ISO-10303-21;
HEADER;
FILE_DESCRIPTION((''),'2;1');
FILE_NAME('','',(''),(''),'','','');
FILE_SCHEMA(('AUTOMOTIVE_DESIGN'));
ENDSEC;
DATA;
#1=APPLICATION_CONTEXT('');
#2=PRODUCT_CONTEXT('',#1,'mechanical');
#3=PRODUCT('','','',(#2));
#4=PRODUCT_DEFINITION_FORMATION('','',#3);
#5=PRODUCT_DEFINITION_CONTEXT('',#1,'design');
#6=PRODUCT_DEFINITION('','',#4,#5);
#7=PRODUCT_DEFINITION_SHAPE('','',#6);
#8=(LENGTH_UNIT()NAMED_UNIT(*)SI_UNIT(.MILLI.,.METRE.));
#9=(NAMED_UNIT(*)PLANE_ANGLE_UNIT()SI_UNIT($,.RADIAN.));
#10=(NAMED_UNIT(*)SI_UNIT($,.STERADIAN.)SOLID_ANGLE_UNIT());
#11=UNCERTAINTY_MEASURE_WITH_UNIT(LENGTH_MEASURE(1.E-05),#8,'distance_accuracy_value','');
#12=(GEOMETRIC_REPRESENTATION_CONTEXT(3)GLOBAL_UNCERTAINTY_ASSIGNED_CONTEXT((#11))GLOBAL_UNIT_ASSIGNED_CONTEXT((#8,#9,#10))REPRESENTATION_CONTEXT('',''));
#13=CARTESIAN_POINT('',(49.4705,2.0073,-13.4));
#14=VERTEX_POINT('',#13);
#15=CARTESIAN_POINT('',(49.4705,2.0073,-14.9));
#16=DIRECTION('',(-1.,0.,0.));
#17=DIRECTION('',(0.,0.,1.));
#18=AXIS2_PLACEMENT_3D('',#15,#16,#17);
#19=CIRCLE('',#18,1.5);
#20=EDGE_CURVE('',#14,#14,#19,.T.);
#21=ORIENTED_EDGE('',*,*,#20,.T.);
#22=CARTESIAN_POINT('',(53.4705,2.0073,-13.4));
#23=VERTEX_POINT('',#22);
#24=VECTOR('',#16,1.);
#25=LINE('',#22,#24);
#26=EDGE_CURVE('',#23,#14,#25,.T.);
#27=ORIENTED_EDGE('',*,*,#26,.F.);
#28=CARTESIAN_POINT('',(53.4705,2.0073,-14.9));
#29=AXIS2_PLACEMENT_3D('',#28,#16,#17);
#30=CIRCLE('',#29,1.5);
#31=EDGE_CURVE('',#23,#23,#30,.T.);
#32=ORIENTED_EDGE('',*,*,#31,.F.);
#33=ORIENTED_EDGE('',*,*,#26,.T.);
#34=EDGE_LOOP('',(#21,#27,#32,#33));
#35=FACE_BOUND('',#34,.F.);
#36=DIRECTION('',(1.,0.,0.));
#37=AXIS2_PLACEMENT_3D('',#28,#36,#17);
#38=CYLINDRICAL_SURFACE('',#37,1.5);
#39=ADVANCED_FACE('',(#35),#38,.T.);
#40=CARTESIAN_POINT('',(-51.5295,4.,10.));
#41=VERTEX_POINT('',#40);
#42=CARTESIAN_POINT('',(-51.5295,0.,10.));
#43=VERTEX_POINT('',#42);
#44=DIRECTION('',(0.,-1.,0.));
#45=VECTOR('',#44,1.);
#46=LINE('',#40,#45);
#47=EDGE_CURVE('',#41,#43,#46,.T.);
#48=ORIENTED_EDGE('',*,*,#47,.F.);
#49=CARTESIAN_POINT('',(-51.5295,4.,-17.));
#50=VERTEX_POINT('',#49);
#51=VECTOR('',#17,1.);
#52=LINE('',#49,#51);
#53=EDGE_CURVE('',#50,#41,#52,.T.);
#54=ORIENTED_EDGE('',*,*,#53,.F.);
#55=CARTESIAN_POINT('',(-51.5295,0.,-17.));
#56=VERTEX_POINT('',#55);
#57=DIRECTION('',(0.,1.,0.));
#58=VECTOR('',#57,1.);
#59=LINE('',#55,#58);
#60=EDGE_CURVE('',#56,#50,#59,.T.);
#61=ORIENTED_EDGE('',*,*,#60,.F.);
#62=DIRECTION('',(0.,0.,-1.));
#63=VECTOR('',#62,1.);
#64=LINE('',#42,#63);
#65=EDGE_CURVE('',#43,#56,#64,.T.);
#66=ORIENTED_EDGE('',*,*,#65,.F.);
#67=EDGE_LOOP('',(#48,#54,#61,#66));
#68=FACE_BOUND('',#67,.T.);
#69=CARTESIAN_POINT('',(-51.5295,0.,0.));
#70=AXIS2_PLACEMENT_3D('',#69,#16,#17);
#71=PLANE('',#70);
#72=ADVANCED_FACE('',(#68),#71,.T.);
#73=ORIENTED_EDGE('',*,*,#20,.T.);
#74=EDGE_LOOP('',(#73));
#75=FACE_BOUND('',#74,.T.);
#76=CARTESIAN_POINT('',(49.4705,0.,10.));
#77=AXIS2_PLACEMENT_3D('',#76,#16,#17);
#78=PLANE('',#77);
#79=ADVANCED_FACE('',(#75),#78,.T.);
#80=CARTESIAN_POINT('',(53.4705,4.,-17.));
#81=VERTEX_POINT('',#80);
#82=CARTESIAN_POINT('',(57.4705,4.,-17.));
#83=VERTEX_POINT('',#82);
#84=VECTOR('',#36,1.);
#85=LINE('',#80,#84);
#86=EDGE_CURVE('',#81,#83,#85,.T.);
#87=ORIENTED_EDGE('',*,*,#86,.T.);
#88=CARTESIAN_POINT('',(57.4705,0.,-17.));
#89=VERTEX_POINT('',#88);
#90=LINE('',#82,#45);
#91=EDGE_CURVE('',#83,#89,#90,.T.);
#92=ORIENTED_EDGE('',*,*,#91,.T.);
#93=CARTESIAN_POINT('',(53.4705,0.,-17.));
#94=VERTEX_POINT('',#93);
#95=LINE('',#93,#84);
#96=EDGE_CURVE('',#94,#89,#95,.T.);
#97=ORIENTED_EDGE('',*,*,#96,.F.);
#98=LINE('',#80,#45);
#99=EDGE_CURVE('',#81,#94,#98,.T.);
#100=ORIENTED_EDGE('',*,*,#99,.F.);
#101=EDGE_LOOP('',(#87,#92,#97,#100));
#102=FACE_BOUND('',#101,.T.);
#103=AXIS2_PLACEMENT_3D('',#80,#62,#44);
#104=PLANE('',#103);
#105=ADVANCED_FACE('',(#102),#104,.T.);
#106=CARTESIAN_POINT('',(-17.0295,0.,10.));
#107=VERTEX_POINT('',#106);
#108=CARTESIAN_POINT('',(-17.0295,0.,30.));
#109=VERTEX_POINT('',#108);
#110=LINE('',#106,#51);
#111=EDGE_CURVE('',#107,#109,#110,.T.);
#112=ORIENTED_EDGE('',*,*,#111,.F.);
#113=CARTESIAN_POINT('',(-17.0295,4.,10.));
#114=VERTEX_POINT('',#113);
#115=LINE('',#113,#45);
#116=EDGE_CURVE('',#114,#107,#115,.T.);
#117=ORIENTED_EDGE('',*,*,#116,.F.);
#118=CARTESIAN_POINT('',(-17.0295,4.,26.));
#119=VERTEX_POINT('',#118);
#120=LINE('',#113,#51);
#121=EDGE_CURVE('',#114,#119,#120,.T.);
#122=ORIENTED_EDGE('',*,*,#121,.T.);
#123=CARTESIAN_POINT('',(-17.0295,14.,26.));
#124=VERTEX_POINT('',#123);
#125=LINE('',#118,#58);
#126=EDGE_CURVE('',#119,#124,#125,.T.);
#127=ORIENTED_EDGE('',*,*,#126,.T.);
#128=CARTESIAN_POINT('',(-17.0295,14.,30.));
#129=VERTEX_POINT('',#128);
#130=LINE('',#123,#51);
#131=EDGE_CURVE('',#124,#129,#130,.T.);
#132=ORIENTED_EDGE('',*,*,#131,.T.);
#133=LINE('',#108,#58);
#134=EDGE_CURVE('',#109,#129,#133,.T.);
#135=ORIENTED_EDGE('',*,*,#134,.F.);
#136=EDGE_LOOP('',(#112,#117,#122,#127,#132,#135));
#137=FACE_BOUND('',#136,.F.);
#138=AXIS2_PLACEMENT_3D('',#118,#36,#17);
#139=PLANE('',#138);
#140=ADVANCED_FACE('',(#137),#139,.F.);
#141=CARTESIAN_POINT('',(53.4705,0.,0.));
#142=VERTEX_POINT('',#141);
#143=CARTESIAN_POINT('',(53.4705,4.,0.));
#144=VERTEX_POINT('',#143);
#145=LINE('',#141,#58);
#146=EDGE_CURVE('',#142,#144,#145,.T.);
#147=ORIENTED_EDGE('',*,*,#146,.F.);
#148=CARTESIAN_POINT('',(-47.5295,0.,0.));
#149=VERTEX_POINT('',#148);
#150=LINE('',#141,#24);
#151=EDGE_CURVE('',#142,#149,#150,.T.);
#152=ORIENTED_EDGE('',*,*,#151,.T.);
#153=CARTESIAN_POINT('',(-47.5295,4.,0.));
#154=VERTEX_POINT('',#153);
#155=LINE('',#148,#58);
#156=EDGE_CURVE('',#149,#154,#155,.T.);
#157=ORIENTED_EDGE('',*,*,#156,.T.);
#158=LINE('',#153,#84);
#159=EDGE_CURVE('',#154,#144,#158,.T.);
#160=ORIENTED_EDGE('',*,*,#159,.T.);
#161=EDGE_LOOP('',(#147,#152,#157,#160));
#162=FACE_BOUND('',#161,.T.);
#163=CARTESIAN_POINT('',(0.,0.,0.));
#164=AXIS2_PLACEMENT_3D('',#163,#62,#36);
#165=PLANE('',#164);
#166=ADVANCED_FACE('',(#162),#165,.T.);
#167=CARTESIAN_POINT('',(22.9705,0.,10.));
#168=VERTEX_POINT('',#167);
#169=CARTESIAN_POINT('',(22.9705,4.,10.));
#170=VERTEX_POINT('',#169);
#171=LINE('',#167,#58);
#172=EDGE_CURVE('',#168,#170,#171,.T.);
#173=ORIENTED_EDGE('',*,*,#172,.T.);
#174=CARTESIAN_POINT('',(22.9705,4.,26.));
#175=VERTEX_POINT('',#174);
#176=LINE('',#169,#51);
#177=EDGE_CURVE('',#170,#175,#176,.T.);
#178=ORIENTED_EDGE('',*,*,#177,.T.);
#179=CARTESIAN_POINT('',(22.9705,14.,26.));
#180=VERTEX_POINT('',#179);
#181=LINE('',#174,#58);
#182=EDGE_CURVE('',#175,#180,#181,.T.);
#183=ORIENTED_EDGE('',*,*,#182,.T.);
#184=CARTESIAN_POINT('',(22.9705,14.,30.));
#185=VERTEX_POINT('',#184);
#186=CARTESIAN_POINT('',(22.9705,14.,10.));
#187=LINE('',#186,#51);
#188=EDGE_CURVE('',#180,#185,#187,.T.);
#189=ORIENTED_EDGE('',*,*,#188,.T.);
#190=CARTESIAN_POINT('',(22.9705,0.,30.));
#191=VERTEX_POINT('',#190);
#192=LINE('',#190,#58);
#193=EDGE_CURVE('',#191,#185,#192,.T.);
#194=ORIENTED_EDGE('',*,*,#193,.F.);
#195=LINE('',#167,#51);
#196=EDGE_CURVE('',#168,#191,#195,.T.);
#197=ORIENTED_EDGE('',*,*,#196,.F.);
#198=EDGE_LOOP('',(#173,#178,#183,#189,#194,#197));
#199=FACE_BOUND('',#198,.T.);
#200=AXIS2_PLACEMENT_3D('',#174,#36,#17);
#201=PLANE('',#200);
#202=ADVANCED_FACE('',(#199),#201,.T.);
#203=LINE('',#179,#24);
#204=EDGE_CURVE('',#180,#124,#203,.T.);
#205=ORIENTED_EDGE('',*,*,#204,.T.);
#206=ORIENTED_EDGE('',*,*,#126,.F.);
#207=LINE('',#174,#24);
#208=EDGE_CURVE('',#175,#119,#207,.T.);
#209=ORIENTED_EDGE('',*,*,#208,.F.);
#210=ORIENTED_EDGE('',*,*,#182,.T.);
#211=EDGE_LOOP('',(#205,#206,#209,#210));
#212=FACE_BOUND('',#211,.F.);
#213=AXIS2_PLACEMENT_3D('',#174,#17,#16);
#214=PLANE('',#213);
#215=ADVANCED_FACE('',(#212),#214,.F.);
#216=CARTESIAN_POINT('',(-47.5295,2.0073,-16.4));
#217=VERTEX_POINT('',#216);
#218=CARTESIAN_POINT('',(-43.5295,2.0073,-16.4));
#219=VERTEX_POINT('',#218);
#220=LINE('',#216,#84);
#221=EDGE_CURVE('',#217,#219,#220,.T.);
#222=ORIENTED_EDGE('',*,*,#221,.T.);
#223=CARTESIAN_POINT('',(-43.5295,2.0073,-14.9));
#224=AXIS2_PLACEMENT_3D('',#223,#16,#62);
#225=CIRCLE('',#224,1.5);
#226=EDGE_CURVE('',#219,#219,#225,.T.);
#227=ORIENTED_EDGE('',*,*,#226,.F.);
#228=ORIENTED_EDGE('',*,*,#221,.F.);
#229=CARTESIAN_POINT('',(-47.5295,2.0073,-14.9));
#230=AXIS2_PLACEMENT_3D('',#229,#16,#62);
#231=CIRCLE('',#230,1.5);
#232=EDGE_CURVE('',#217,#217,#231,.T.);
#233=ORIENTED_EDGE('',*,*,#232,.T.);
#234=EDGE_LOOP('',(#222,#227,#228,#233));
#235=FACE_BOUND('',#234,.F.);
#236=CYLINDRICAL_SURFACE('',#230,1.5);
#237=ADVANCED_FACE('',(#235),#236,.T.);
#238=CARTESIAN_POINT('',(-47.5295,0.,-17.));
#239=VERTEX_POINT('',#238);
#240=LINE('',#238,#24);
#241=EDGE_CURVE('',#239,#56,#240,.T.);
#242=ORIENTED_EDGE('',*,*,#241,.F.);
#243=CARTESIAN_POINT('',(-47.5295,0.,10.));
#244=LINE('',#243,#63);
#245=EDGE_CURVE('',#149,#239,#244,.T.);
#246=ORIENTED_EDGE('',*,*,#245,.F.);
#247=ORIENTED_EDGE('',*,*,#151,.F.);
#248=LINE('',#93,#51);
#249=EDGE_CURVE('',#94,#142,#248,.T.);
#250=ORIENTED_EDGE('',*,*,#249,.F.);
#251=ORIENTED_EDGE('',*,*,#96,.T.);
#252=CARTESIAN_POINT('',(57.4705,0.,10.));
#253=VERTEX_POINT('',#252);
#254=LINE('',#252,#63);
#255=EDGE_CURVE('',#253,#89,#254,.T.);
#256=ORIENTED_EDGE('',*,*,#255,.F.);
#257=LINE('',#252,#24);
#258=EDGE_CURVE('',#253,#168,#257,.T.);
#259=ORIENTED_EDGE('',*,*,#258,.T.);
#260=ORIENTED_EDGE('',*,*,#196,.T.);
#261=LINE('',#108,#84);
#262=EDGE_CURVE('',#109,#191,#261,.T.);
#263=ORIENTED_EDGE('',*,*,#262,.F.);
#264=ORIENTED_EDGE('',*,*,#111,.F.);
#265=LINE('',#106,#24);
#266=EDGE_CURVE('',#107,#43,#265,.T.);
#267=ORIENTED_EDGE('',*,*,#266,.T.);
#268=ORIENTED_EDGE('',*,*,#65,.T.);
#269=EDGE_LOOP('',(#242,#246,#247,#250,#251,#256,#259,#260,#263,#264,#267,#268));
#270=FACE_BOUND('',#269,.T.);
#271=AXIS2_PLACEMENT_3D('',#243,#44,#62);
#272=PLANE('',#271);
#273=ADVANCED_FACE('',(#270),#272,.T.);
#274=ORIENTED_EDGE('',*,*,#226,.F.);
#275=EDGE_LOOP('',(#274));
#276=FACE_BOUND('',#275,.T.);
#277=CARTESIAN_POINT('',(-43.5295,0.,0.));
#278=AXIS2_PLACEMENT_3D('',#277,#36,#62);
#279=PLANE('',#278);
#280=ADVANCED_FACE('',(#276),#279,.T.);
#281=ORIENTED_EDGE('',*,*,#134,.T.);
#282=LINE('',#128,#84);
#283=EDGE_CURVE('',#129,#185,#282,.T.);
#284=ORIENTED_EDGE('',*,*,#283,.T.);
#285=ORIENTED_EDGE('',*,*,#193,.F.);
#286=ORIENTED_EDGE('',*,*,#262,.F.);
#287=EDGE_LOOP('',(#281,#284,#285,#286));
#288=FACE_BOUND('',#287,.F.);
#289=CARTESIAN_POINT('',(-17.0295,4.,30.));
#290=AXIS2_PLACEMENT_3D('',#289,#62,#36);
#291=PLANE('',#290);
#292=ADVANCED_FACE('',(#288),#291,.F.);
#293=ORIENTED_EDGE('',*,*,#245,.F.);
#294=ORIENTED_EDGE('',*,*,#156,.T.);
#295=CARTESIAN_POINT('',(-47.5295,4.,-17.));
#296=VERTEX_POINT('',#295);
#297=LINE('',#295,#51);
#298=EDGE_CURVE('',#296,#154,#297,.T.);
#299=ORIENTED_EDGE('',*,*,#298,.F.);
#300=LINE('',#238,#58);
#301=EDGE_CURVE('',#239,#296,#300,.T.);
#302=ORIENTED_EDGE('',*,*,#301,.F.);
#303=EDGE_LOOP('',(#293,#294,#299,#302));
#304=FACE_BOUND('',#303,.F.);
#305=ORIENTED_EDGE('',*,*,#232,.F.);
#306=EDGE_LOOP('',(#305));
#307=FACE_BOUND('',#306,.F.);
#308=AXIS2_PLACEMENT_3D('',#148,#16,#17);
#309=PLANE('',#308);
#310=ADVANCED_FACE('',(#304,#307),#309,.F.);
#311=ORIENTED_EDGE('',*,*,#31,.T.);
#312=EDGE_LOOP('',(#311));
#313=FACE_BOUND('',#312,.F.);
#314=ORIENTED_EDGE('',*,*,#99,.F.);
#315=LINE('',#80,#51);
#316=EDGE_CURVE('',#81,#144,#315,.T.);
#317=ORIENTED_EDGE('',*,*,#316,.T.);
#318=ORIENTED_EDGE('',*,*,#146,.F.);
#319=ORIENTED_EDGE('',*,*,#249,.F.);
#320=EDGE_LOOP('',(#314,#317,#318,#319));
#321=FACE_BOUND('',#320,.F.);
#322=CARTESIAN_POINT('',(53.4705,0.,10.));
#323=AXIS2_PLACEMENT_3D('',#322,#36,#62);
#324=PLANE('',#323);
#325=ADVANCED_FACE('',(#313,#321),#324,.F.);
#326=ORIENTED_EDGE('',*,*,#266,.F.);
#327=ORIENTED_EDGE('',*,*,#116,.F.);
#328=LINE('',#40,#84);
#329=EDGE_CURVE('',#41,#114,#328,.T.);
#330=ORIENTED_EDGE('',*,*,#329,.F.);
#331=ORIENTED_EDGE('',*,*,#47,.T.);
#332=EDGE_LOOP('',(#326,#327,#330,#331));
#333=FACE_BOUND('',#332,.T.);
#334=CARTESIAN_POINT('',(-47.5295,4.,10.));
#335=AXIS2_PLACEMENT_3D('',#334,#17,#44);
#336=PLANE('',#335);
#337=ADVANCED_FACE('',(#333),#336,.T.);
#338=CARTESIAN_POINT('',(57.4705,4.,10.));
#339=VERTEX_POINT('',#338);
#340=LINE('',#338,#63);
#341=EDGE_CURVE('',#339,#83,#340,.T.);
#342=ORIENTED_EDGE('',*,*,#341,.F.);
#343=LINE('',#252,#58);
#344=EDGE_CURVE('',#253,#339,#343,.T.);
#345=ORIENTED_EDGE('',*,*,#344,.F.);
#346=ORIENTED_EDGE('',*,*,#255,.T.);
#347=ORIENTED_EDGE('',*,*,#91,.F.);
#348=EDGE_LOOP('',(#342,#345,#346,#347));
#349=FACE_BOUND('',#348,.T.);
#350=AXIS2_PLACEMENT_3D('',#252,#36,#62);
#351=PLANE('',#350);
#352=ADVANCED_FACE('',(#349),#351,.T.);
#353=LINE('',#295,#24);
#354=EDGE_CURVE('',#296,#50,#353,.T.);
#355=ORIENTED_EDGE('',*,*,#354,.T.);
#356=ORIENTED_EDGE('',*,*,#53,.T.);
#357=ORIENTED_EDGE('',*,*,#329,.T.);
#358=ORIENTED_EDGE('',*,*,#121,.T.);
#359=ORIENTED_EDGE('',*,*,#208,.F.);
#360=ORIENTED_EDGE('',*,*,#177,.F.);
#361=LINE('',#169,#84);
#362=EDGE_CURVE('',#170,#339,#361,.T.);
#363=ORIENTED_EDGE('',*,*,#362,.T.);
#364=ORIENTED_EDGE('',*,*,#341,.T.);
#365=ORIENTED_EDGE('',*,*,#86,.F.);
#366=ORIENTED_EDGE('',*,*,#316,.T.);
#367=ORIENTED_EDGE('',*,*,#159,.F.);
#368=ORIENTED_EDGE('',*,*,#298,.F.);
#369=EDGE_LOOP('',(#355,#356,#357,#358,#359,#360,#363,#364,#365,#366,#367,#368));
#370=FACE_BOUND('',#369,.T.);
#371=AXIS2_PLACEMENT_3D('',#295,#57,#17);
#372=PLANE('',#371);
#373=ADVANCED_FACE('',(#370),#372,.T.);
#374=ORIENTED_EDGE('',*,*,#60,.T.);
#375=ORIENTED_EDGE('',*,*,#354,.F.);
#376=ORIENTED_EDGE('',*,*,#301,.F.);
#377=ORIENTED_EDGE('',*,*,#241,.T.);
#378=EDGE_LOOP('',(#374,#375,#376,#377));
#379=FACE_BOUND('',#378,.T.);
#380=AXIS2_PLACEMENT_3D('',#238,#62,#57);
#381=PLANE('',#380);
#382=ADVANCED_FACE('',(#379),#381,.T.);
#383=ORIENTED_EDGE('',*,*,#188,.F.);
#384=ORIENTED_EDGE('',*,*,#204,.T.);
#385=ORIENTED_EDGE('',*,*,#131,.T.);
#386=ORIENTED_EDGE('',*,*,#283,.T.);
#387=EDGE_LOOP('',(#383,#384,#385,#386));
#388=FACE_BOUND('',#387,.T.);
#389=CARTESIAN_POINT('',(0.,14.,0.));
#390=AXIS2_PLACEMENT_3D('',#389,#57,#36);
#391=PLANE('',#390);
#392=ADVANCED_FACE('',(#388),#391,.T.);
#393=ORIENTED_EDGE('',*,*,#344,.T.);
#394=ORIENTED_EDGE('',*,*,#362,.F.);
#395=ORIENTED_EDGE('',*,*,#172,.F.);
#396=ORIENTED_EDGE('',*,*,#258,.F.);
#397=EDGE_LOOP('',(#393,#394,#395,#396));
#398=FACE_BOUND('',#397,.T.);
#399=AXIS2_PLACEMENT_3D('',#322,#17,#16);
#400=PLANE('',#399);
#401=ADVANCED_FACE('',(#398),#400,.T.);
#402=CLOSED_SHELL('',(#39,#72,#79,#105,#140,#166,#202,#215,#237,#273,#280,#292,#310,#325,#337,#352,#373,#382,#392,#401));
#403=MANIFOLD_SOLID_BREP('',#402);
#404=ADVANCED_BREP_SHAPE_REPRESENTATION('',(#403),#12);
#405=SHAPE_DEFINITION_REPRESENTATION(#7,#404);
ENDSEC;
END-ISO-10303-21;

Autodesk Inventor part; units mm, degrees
ref_plane "YZ Plane" through (0, 0, 0) normal (1, 0, 0) x (0, 1, 0)
ref_plane "XZ Plane" through (0, 0, 0) normal (0, 1, 0) x (-1, 0, 0)
ref_plane "XY Plane" through (0, 0, 0) normal (0, 0, 1) x (1, 0, 0)
sketch "Эскиз1" plane through (0, 0, 0) normal (0, 1, 0) x (-1, 0, 0)
  line L0 (0, 0) -> (47.5295, 0)
  line L1 (0, 0) -> (-53.4705, 0)
  line L2 (47.5295, 0) -> (-53.4705, 0)
  line L3 (-53.4705, 0) -> (-53.4705, 10)
  line L4 (-53.4705, 10) -> (47.5295, 10)
  line L5 (47.5295, 10) -> (47.5295, 0)
  dimension "d0" = 101
  dimension "d1" = 10
extrude "Выдавливание1" add sketch "Эскиз1" along normal blind 4
sketch "Эскиз2" plane through (-47.5295, 0, 10) normal (0, 0, 1) x (1, 0, 0)
  line L0 (0, 4) -> (101, 4) projected
  line L1 (0, 4) -> (50.5, 4)
  line L2 (30.5, 0) -> (70.5, 0)
  line L3 (70.5, 0) -> (70.5, 4)
  line L4 (70.5, 4) -> (30.5, 4)
  line L5 (30.5, 4) -> (30.5, 0)
  line L6 (30.5, 0) -> (70.5, 4) construction
  line L7 (70.5, 0) -> (30.5, 4) construction
  point P0 (47.5295, 0)
  point P1 (50.5, 2)
  point P2 (30.5, 2)
  point P3 (70.5, 2)
  dimension "d4" = 50.5
  dimension "d5" = 40
  dimension "d6" = 4
extrude "Выдавливание2" add sketch "Эскиз2" along normal blind 20
sketch "Эскиз3" plane through (0, 4, 0) normal (0, 1, 0) x (1, 0, 0)
  line L0 (-17.0295, -30) -> (22.9705, -30) projected
  line L1 (22.9705, -10) -> (22.9705, -30) projected
  line L2 (-17.0295, -30) -> (22.9705, -30)
  line L3 (22.9705, -30) -> (22.9705, -26)
  line L4 (22.9705, -26) -> (-17.0295, -26)
  line L5 (-17.0295, -26) -> (-17.0295, -30)
  point P0 (0, 0)
  dimension "d9" = 4
extrude "Выдавливание3" add sketch "Эскиз3" along normal blind 10
sketch "Эскиз4" plane through (53.4705, 0, 10) normal (1, 0, 0) x (0, 0, -1)
  line L0 (0, 4) -> (10, 4) projected
  line L1 (0, 4) -> (27, 4)
  line L2 (27, 4) -> (27, 0)
  line L3 (27, 0) -> (0, 0)
  line L4 (0, 0) -> (0, 4)
  line L5 (10, 0) -> (10, 4) projected
  dimension "d12" = 17
extrude "Выдавливание4" add sketch "Эскиз4" along normal blind 4
sketch "Эскиз5" plane through (-47.5295, 0, 0) normal (-1, 0, 0) x (0, 0, 1)
  line L0 (-17, 4) -> (0, 4) projected
  line L1 (10, 0) -> (-17, 0)
  line L2 (-17, 0) -> (-17, 4)
  line L3 (-17, 4) -> (10, 4)
  line L4 (10, 4) -> (10, 0)
  point P0 (0, 0)
  point P1 (0, 4)
extrude "Выдавливание5" add sketch "Эскиз5" along normal blind 4
sketch "Эскиз6" plane through (-47.5295, 0, 0) normal (1, 0, 0) x (0, 0, -1)
  circle A0 centre (14.9, 2.0073) radius 1.5
  line L0 (14.9, 2.0073) -> (17, 2)
  line L1 (17, 4) -> (17, 0) projected
  point P0 (0, 0)
  dimension "d17" = 3
  dimension "d18" = 2.1
extrude "Выдавливание6" add sketch "Эскиз6" along normal blind 4
sketch "Эскиз7" plane through (53.4705, 0, 10) normal (-1, 0, 0) x (0, 0, 1)
  circle A0 centre (-24.9, 2.0073) radius 1.5 projected
  circle A1 centre (-24.9, 2.0073) radius 1.5
  point P0 (-10, 0)
extrude "Выдавливание7" add sketch "Эскиз7" along normal blind 4
properties part number "крюк"
